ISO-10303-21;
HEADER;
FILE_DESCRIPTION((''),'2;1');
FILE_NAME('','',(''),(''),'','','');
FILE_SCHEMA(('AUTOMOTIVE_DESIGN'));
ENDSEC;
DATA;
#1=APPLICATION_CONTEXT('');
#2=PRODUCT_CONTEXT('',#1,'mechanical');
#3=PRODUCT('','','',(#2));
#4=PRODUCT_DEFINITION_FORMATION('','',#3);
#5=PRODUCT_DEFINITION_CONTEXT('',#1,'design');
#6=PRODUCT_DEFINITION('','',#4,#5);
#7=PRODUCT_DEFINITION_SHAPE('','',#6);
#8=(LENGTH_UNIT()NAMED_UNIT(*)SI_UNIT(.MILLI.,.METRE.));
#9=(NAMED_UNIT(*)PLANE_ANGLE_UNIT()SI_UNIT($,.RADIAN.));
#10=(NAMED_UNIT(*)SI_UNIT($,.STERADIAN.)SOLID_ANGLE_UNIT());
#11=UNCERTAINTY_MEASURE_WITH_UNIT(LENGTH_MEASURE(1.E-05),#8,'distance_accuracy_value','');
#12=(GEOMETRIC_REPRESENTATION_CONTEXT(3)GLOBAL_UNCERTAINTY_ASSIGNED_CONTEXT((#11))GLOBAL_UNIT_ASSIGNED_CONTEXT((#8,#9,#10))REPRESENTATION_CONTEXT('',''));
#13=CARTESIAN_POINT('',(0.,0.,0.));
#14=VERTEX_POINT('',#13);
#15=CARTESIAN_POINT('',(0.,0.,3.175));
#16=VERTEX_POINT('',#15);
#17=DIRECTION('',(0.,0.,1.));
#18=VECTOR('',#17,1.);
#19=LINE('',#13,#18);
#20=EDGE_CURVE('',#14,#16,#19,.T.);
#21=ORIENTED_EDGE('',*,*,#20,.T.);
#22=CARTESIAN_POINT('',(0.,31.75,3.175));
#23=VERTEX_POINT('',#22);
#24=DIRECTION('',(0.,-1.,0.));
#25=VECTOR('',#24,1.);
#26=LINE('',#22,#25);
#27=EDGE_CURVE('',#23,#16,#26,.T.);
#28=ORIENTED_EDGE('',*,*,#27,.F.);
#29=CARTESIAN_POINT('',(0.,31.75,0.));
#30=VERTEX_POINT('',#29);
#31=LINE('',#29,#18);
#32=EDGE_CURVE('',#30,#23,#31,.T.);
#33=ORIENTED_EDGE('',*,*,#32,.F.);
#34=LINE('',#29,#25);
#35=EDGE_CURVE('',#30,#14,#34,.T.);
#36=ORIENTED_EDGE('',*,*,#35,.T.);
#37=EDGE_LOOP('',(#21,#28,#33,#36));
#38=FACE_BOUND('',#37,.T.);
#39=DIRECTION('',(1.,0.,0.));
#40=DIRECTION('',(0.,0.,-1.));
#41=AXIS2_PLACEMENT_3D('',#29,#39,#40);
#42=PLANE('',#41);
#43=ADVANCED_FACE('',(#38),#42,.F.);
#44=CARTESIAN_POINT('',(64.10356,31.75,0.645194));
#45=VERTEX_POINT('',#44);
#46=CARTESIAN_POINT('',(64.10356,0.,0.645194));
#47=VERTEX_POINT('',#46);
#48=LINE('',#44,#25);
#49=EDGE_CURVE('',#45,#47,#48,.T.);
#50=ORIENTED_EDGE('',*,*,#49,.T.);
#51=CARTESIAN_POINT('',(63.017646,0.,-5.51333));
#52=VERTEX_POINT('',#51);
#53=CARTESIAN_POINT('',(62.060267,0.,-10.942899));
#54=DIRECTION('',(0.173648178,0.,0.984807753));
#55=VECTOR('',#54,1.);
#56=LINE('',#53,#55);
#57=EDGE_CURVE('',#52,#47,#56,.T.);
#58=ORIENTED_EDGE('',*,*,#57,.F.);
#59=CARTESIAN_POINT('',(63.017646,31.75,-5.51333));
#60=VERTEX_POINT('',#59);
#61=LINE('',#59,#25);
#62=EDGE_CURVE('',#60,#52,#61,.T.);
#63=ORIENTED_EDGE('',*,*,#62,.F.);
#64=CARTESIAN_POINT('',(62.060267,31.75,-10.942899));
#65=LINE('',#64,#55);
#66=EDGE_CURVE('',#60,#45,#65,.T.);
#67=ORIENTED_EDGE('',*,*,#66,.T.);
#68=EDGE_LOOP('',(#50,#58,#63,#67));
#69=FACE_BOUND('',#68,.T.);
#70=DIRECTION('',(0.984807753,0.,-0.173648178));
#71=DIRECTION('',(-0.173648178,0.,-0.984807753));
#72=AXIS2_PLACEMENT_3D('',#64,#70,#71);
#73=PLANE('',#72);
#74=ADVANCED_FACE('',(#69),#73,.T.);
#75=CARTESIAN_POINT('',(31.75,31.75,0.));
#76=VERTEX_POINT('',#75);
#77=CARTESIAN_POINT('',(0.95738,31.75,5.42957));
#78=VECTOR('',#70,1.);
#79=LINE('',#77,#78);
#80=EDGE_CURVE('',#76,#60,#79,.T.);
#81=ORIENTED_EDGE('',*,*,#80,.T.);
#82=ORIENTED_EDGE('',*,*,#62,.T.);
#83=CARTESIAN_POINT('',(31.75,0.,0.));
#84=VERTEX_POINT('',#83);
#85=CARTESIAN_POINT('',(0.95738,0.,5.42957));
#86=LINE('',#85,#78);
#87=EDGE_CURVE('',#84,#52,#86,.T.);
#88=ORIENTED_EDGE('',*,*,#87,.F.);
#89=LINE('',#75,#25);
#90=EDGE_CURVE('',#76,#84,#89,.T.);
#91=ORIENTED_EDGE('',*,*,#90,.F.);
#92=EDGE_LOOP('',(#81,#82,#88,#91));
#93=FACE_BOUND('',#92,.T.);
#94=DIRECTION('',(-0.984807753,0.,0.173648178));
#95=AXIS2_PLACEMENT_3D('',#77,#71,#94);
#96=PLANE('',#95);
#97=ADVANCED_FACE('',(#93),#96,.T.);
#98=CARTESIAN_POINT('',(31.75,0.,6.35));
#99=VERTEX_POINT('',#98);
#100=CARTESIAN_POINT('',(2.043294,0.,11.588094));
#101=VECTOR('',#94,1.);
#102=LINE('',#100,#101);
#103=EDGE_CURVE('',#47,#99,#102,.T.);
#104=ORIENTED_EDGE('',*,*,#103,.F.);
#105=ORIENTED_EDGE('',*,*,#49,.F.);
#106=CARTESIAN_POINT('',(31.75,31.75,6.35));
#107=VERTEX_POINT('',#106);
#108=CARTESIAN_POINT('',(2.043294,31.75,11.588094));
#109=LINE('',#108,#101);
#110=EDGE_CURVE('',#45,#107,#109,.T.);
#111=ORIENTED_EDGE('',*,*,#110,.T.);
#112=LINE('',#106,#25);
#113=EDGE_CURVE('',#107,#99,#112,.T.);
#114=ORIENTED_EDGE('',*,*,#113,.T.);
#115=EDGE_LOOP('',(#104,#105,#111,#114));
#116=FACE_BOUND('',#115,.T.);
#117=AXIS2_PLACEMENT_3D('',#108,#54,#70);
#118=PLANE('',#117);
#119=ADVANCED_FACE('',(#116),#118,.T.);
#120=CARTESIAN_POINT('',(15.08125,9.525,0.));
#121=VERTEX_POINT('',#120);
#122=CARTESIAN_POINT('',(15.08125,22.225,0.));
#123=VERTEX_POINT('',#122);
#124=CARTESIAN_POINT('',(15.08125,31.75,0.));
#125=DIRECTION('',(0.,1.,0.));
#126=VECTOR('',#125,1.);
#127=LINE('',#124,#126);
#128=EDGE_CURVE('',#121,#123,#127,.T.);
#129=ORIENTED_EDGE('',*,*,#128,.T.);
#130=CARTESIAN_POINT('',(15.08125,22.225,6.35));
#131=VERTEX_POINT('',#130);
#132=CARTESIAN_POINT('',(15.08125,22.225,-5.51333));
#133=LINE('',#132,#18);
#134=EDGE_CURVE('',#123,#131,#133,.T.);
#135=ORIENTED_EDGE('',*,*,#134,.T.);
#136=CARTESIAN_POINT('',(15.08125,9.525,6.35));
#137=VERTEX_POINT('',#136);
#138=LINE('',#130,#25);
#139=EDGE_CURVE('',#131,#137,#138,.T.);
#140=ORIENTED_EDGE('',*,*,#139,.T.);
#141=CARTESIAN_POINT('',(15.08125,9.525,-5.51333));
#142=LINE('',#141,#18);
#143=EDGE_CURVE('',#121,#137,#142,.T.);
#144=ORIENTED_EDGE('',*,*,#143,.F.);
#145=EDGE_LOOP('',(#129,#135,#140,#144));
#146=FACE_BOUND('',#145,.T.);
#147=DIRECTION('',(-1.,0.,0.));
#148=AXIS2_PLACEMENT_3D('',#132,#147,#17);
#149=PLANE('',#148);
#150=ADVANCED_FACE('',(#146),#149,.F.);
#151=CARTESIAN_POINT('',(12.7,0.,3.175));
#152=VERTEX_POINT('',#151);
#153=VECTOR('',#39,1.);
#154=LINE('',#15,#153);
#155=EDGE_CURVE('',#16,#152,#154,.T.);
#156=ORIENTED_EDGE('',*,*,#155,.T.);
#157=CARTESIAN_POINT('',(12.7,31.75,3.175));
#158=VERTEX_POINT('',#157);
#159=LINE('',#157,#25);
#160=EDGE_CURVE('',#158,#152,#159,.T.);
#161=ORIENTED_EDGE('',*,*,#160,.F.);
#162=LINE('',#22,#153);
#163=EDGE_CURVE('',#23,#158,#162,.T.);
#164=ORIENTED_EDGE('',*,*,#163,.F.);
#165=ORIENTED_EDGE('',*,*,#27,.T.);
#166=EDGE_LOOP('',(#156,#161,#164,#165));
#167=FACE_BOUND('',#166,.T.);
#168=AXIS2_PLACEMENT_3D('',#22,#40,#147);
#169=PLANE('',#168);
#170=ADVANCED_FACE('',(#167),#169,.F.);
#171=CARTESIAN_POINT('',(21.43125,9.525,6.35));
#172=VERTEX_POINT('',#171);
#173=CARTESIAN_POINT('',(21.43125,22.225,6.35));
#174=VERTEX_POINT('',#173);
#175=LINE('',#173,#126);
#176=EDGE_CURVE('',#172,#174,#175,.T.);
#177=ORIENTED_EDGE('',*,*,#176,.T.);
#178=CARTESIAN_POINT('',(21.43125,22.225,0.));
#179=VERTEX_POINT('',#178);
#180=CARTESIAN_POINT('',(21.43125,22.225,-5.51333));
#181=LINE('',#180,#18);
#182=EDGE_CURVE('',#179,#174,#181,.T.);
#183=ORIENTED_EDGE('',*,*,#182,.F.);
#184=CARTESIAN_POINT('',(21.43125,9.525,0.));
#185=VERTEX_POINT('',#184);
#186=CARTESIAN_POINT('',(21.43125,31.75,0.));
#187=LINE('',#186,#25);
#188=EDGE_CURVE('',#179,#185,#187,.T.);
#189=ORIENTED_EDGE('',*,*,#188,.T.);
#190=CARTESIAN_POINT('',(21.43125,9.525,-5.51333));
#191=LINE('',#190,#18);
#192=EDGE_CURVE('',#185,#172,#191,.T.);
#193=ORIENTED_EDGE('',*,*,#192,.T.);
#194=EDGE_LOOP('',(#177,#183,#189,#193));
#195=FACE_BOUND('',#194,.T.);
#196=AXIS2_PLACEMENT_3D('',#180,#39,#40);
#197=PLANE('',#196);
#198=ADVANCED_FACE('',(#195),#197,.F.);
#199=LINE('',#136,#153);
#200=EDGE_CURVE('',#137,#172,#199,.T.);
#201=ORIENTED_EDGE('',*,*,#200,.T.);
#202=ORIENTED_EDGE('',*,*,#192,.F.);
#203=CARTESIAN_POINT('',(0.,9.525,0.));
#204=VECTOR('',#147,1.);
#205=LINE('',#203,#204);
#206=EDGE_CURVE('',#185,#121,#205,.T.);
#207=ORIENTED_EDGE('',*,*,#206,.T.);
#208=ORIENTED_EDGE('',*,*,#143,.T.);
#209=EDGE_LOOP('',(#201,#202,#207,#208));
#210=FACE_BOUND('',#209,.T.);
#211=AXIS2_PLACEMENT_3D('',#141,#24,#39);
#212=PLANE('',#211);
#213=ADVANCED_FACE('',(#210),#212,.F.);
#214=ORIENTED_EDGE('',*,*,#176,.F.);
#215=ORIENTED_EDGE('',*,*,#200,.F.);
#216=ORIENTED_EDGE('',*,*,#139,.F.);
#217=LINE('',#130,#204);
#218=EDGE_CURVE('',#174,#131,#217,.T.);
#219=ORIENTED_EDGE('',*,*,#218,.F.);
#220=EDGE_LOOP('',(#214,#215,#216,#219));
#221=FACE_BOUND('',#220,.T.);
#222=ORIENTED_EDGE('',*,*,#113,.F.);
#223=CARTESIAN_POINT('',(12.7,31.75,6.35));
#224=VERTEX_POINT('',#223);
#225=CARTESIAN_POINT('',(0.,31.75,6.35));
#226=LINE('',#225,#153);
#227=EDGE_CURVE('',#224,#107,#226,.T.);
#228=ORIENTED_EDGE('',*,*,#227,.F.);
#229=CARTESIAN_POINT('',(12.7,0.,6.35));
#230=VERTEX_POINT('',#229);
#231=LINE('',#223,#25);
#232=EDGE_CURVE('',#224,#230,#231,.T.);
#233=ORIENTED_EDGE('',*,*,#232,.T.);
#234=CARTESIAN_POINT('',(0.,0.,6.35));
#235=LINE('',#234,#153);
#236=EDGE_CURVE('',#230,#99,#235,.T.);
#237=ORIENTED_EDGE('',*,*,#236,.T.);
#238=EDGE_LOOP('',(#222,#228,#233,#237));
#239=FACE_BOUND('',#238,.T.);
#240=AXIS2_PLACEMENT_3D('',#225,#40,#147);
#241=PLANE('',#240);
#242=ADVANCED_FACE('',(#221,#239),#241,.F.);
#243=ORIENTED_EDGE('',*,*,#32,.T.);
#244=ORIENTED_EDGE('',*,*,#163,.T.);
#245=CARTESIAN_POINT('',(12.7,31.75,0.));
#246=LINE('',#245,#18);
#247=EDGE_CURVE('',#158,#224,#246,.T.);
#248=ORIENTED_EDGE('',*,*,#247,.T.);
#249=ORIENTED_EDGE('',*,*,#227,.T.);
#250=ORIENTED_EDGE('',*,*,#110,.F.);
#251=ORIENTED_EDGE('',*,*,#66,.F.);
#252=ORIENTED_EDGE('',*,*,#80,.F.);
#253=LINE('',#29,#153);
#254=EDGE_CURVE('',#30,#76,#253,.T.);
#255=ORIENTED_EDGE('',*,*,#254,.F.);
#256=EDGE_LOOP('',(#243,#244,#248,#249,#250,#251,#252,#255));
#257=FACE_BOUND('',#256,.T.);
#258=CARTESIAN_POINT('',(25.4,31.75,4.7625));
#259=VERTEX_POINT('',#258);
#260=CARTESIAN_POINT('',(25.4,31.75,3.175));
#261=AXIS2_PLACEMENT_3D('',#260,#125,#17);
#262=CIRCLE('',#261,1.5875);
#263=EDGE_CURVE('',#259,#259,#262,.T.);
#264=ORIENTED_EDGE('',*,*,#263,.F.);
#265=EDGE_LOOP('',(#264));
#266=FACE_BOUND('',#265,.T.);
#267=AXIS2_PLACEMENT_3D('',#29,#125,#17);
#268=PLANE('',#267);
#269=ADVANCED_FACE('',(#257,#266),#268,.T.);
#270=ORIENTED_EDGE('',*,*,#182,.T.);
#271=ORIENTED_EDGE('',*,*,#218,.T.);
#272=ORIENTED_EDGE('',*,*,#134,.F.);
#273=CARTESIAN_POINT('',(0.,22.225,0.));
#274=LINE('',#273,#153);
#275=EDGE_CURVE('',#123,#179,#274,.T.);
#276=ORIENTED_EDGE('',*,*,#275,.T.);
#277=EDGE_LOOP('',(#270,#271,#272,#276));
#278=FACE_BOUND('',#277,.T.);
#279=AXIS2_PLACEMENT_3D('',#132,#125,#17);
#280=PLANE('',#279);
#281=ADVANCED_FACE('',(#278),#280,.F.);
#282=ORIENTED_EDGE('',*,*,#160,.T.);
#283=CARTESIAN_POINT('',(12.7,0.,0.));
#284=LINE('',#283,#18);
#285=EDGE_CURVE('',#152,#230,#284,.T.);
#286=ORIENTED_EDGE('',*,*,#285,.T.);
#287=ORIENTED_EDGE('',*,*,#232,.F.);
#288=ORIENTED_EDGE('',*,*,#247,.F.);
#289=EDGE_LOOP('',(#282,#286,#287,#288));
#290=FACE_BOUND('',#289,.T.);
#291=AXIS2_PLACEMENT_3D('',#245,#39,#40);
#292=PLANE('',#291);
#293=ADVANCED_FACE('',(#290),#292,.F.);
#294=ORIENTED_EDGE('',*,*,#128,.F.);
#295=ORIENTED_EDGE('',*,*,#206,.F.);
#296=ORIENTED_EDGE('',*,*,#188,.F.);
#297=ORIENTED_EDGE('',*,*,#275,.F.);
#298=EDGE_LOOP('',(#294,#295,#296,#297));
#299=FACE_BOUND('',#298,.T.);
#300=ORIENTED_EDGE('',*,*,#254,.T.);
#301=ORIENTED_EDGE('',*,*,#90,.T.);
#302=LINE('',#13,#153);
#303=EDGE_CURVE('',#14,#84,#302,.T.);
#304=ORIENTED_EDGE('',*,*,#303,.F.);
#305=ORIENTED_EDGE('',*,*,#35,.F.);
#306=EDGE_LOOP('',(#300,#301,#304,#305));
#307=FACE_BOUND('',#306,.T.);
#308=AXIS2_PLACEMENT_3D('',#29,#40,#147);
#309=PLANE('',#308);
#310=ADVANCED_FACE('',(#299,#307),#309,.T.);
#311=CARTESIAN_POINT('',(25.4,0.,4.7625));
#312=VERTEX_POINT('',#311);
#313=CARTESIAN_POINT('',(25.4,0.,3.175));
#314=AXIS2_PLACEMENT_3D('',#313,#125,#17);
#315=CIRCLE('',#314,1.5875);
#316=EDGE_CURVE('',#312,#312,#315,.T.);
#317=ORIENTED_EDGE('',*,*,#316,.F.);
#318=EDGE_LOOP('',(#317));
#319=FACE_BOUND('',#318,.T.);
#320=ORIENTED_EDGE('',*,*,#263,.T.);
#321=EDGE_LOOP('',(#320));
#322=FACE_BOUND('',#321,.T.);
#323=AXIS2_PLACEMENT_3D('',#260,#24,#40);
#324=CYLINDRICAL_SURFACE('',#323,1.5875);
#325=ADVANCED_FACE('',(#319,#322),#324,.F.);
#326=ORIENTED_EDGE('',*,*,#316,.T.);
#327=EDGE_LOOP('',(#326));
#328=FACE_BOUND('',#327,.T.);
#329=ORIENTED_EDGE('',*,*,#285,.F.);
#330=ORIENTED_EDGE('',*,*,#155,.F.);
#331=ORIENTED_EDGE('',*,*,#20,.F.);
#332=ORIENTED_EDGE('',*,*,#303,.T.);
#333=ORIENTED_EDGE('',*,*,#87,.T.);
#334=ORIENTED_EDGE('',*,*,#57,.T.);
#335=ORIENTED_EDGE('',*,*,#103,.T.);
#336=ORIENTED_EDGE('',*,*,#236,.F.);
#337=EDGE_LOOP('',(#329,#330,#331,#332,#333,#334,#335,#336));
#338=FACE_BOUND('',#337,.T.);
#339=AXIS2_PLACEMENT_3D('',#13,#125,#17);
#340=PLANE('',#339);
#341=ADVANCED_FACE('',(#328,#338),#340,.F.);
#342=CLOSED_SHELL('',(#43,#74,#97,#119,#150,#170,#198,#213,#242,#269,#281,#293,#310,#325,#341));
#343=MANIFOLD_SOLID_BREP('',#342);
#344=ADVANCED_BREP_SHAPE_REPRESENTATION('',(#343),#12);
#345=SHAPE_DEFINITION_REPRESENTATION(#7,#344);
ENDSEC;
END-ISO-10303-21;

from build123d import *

# Parameters (mm, degrees)
SKETCH1_R           = 1.5875
BOSS_EXTRUDE1_DEPTH = 31.75
SKETCH2_W           = 6.35
SKETCH2_H           = 12.7
CUT_EXTRUDE1_DEPTH  = 12.863329641


with BuildPart() as part:
    # Sketch1 → Boss-Extrude1 (new body)
    with BuildSketch(Plane(origin=(0, 0, 0), x_dir=(1, 0, 0), z_dir=(0, 1, 0))):
        Polygon((12.7, -6.35), (31.75, -6.35), (64.103560113, -0.64519443), (63.017646158, 5.513329641), (31.75, 0), (0, 0), (0, -3.175), (12.7, -3.175), align=None)
        with Locations((25.4, -3.175)):
            Circle(SKETCH1_R, mode=Mode.SUBTRACT)
    extrude(amount=BOSS_EXTRUDE1_DEPTH)

    # Sketch2 → Cut-Extrude1 (cut, through all)
    with BuildSketch(Plane.XY.offset(6.35)):
        with Locations((18.25625, 15.875)):
            Rectangle(SKETCH2_W, SKETCH2_H)
    extrude(amount=-CUT_EXTRUDE1_DEPTH, mode=Mode.SUBTRACT)


solid = part.part
